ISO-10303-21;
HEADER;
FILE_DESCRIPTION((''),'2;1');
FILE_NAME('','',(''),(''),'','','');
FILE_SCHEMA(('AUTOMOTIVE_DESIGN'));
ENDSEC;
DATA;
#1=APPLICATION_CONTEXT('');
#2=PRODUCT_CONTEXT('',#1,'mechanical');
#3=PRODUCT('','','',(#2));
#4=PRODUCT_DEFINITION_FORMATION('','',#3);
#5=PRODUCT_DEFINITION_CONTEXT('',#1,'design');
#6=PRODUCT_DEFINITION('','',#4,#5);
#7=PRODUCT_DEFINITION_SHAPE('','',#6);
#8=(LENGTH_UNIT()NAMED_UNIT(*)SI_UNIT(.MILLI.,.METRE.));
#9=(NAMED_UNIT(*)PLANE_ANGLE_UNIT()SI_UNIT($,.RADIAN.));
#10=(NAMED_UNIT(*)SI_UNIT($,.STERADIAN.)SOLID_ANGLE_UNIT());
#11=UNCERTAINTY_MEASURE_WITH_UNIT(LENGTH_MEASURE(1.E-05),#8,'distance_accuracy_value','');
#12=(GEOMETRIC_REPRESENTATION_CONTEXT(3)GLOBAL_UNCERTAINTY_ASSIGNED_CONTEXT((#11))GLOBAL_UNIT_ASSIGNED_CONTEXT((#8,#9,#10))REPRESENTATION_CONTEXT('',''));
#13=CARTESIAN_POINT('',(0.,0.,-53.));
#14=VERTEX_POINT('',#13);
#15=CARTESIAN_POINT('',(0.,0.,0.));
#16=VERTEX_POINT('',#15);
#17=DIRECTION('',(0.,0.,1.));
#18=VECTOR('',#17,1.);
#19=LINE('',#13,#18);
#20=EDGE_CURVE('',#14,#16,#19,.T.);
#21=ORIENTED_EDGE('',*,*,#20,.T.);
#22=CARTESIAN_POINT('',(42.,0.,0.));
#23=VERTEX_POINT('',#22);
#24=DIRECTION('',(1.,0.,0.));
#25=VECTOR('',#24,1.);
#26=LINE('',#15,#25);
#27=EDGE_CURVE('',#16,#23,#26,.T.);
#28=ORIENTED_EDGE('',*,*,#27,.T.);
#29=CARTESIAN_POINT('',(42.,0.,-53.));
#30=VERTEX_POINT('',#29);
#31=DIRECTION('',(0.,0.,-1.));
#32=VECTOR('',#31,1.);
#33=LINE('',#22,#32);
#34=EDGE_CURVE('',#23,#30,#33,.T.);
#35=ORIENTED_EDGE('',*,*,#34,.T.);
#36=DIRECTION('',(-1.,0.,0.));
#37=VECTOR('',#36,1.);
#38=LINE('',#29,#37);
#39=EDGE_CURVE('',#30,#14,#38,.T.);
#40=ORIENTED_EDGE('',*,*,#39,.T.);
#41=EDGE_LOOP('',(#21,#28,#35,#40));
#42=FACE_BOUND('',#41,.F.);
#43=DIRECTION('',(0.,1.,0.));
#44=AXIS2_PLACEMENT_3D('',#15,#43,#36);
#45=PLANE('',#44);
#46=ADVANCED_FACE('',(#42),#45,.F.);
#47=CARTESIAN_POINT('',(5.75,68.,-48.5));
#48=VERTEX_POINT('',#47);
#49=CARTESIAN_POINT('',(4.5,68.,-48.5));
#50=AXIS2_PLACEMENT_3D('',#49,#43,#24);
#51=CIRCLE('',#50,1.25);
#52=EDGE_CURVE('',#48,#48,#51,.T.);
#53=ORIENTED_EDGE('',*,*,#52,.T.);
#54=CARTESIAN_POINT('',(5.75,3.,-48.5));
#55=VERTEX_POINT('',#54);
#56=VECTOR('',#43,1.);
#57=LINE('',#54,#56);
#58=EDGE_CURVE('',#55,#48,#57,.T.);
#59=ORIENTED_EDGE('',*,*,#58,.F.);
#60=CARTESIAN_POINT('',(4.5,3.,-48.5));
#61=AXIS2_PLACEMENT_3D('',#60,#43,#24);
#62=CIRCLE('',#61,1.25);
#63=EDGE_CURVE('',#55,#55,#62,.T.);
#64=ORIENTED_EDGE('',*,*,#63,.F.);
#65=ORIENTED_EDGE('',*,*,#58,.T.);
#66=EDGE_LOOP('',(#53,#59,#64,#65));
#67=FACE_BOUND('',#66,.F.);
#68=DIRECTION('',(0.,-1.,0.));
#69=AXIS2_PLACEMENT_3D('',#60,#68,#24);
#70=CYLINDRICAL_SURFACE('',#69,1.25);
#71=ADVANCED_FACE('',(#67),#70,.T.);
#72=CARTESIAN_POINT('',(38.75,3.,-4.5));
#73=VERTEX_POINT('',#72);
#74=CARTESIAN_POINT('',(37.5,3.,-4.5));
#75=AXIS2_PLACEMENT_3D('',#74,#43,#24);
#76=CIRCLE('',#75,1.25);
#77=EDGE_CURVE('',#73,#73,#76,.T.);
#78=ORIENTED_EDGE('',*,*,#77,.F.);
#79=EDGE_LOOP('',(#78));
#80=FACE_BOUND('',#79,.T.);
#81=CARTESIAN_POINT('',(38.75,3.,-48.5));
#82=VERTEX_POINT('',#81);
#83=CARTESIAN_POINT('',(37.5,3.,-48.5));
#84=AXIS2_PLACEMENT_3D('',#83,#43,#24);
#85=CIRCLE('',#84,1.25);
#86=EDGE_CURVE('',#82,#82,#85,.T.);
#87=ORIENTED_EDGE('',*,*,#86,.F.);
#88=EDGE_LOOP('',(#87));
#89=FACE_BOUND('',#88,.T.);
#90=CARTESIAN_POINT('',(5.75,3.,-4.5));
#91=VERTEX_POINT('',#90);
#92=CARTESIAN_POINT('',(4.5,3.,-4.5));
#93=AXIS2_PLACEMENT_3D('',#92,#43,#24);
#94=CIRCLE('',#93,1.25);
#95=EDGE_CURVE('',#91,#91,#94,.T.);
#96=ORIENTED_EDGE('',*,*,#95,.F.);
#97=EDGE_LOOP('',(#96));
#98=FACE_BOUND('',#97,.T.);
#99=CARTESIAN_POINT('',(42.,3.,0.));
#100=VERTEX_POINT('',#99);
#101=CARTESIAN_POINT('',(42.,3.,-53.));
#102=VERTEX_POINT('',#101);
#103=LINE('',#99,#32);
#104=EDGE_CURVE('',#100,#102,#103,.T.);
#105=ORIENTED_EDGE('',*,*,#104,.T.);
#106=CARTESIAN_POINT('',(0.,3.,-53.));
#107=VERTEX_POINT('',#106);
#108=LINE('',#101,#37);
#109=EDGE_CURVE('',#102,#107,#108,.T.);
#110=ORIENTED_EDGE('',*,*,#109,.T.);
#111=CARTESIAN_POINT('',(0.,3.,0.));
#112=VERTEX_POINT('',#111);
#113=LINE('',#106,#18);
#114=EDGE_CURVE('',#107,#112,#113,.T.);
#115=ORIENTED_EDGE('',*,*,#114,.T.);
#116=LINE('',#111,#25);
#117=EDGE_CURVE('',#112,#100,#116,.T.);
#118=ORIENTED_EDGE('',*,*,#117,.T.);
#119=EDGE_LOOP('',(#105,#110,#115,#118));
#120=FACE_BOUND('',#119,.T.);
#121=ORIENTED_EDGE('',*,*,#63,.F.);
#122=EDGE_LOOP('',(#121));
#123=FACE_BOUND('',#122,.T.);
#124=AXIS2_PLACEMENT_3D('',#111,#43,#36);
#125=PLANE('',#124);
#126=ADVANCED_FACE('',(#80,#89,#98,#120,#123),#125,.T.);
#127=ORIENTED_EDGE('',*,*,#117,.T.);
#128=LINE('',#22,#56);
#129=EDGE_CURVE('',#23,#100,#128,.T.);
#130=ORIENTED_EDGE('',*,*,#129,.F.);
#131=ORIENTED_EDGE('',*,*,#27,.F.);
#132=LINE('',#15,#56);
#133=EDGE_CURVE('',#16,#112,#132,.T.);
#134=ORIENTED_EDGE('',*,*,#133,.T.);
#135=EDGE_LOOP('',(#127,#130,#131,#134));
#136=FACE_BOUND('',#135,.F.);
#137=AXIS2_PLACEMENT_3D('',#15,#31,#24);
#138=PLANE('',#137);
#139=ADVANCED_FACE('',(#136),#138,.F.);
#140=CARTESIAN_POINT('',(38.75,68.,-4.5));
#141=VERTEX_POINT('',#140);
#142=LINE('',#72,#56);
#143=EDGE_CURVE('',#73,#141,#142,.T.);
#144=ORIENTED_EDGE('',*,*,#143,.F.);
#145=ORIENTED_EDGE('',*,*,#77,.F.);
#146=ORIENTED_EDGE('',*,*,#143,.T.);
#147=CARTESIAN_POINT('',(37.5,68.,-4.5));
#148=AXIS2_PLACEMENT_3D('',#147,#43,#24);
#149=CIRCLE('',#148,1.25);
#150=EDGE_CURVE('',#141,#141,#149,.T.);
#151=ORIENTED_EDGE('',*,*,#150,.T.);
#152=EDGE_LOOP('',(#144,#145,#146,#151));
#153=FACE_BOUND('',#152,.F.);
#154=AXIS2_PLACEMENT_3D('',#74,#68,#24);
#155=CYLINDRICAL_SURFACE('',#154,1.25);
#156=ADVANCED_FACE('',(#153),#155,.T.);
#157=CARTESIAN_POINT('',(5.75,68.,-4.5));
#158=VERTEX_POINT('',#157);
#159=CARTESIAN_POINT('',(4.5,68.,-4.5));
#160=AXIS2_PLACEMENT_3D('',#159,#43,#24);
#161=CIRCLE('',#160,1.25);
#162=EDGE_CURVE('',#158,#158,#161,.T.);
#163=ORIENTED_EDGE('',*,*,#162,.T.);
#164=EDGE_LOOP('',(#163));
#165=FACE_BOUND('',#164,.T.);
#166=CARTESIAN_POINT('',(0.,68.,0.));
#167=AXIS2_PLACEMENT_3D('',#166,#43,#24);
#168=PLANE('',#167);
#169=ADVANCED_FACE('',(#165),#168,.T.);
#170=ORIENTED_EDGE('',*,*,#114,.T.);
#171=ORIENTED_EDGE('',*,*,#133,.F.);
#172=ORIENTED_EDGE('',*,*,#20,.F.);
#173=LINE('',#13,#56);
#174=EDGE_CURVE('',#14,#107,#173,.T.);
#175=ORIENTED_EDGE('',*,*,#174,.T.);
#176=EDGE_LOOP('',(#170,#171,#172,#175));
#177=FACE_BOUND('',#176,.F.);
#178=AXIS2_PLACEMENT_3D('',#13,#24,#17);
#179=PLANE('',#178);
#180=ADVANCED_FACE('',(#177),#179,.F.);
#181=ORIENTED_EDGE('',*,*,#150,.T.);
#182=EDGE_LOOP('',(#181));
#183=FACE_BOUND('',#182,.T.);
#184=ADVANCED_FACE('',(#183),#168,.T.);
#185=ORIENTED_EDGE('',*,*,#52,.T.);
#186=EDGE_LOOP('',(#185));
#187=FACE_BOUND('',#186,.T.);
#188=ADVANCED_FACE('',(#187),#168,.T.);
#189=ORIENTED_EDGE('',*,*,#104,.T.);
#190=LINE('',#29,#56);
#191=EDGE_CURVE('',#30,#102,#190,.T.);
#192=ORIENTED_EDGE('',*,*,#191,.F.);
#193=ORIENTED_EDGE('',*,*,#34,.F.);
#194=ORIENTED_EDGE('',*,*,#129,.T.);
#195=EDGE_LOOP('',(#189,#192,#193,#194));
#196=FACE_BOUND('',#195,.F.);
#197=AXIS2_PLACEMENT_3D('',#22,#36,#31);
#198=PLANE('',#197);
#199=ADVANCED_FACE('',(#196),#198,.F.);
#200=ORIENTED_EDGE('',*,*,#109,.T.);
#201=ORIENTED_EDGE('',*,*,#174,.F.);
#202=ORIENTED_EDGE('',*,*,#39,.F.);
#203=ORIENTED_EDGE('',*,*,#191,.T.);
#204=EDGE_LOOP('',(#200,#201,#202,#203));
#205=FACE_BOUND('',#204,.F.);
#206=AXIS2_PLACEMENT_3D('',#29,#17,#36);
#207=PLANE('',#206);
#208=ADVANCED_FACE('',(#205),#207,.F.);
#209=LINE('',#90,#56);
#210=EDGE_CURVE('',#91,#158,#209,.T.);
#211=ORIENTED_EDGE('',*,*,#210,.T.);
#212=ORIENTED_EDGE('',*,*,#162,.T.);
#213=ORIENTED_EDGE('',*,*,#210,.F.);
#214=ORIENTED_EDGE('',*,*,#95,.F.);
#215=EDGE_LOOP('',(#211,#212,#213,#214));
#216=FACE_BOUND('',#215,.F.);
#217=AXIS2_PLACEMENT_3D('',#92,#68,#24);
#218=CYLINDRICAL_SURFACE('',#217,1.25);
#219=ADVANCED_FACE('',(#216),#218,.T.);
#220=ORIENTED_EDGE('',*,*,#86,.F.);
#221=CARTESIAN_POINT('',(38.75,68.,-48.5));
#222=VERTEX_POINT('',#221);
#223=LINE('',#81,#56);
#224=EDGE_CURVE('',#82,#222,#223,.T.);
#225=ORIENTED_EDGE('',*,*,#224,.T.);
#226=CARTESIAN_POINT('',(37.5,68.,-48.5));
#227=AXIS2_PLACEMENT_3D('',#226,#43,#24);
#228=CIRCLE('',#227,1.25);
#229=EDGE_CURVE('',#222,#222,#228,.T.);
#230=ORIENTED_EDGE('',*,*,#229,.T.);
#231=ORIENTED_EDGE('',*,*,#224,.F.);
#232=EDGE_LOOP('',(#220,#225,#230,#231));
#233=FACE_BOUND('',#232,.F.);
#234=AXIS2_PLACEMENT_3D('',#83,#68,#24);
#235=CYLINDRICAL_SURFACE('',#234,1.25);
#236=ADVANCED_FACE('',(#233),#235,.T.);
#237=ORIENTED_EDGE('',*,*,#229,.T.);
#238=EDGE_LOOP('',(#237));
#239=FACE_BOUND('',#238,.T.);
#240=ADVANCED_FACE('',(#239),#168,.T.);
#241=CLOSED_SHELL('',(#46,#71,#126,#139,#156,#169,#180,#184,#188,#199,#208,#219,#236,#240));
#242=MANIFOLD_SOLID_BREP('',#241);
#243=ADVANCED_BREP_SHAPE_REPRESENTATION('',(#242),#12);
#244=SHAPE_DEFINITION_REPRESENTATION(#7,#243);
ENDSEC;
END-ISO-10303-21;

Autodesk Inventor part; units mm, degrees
ref_plane "YZ Plane" through (0, 0, 0) normal (1, 0, 0) x (0, 1, 0)
ref_plane "XZ Plane" through (0, 0, 0) normal (0, 1, 0) x (-1, 0, 0)
ref_plane "XY Plane" through (0, 0, 0) normal (0, 0, 1) x (1, 0, 0)
sketch "Boceto1" plane through (0, 0, 0) normal (0, 1, 0) x (-1, 0, 0)
  line L0 (0, 0) -> (-42, 0)
  line L1 (-42, 0) -> (-42, -53)
  line L2 (-42, -53) -> (0, -53)
  line L3 (0, -53) -> (0, 0)
  circle A0 centre (-4.5, -4.5) radius 1.25
  circle A1 centre (-4.5, -48.5) radius 1.25
  circle A2 centre (-37.5, -48.5) radius 1.25
  circle A3 centre (-37.5, -4.5) radius 1.25
  line L4 (-36.25, -48.5) -> (-5.75, -48.5)
  line L5 (-4.5, -47.25) -> (-4.5, -5.75)
  line L6 (-5.75, -4.5) -> (-36.25, -4.5)
  line L7 (-37.5, -5.75) -> (-37.5, -47.25)
  dimension "d0" = 42
  dimension "d1" = 53
  dimension "d2" = 2.5
  dimension "d4" = 2.5
  dimension "d6" = 2.5
  dimension "d7" = 2.5
extrude "Extrusión1" add sketch "Boceto1" along normal blind 3 contours L3 L2 L1 L0 | A0 | A0 L5 A1 L4 A2 L7 A3 L6 | A3 | A1 | A2
sketch "Boceto2" plane through (0, 3, 0) normal (0, 1, 0) x (1, 0, 0)
  circle A0 centre (4.5, 4.5) radius 1.25 projected
  circle A1 centre (4.5, 4.5) radius 1.25
  circle A2 centre (4.5, 48.5) radius 1.25 projected
  circle A3 centre (4.5, 48.5) radius 1.25
  circle A4 centre (37.5, 48.5) radius 1.25 projected
  circle A5 centre (37.5, 48.5) radius 1.25
  circle A6 centre (37.5, 4.5) radius 1.25 projected
  circle A7 centre (37.5, 4.5) radius 1.25
  point P0 (0, 0)
extrude "Extrusión2" add sketch "Boceto2" along normal blind 65
properties part number "Relé - columnes"
